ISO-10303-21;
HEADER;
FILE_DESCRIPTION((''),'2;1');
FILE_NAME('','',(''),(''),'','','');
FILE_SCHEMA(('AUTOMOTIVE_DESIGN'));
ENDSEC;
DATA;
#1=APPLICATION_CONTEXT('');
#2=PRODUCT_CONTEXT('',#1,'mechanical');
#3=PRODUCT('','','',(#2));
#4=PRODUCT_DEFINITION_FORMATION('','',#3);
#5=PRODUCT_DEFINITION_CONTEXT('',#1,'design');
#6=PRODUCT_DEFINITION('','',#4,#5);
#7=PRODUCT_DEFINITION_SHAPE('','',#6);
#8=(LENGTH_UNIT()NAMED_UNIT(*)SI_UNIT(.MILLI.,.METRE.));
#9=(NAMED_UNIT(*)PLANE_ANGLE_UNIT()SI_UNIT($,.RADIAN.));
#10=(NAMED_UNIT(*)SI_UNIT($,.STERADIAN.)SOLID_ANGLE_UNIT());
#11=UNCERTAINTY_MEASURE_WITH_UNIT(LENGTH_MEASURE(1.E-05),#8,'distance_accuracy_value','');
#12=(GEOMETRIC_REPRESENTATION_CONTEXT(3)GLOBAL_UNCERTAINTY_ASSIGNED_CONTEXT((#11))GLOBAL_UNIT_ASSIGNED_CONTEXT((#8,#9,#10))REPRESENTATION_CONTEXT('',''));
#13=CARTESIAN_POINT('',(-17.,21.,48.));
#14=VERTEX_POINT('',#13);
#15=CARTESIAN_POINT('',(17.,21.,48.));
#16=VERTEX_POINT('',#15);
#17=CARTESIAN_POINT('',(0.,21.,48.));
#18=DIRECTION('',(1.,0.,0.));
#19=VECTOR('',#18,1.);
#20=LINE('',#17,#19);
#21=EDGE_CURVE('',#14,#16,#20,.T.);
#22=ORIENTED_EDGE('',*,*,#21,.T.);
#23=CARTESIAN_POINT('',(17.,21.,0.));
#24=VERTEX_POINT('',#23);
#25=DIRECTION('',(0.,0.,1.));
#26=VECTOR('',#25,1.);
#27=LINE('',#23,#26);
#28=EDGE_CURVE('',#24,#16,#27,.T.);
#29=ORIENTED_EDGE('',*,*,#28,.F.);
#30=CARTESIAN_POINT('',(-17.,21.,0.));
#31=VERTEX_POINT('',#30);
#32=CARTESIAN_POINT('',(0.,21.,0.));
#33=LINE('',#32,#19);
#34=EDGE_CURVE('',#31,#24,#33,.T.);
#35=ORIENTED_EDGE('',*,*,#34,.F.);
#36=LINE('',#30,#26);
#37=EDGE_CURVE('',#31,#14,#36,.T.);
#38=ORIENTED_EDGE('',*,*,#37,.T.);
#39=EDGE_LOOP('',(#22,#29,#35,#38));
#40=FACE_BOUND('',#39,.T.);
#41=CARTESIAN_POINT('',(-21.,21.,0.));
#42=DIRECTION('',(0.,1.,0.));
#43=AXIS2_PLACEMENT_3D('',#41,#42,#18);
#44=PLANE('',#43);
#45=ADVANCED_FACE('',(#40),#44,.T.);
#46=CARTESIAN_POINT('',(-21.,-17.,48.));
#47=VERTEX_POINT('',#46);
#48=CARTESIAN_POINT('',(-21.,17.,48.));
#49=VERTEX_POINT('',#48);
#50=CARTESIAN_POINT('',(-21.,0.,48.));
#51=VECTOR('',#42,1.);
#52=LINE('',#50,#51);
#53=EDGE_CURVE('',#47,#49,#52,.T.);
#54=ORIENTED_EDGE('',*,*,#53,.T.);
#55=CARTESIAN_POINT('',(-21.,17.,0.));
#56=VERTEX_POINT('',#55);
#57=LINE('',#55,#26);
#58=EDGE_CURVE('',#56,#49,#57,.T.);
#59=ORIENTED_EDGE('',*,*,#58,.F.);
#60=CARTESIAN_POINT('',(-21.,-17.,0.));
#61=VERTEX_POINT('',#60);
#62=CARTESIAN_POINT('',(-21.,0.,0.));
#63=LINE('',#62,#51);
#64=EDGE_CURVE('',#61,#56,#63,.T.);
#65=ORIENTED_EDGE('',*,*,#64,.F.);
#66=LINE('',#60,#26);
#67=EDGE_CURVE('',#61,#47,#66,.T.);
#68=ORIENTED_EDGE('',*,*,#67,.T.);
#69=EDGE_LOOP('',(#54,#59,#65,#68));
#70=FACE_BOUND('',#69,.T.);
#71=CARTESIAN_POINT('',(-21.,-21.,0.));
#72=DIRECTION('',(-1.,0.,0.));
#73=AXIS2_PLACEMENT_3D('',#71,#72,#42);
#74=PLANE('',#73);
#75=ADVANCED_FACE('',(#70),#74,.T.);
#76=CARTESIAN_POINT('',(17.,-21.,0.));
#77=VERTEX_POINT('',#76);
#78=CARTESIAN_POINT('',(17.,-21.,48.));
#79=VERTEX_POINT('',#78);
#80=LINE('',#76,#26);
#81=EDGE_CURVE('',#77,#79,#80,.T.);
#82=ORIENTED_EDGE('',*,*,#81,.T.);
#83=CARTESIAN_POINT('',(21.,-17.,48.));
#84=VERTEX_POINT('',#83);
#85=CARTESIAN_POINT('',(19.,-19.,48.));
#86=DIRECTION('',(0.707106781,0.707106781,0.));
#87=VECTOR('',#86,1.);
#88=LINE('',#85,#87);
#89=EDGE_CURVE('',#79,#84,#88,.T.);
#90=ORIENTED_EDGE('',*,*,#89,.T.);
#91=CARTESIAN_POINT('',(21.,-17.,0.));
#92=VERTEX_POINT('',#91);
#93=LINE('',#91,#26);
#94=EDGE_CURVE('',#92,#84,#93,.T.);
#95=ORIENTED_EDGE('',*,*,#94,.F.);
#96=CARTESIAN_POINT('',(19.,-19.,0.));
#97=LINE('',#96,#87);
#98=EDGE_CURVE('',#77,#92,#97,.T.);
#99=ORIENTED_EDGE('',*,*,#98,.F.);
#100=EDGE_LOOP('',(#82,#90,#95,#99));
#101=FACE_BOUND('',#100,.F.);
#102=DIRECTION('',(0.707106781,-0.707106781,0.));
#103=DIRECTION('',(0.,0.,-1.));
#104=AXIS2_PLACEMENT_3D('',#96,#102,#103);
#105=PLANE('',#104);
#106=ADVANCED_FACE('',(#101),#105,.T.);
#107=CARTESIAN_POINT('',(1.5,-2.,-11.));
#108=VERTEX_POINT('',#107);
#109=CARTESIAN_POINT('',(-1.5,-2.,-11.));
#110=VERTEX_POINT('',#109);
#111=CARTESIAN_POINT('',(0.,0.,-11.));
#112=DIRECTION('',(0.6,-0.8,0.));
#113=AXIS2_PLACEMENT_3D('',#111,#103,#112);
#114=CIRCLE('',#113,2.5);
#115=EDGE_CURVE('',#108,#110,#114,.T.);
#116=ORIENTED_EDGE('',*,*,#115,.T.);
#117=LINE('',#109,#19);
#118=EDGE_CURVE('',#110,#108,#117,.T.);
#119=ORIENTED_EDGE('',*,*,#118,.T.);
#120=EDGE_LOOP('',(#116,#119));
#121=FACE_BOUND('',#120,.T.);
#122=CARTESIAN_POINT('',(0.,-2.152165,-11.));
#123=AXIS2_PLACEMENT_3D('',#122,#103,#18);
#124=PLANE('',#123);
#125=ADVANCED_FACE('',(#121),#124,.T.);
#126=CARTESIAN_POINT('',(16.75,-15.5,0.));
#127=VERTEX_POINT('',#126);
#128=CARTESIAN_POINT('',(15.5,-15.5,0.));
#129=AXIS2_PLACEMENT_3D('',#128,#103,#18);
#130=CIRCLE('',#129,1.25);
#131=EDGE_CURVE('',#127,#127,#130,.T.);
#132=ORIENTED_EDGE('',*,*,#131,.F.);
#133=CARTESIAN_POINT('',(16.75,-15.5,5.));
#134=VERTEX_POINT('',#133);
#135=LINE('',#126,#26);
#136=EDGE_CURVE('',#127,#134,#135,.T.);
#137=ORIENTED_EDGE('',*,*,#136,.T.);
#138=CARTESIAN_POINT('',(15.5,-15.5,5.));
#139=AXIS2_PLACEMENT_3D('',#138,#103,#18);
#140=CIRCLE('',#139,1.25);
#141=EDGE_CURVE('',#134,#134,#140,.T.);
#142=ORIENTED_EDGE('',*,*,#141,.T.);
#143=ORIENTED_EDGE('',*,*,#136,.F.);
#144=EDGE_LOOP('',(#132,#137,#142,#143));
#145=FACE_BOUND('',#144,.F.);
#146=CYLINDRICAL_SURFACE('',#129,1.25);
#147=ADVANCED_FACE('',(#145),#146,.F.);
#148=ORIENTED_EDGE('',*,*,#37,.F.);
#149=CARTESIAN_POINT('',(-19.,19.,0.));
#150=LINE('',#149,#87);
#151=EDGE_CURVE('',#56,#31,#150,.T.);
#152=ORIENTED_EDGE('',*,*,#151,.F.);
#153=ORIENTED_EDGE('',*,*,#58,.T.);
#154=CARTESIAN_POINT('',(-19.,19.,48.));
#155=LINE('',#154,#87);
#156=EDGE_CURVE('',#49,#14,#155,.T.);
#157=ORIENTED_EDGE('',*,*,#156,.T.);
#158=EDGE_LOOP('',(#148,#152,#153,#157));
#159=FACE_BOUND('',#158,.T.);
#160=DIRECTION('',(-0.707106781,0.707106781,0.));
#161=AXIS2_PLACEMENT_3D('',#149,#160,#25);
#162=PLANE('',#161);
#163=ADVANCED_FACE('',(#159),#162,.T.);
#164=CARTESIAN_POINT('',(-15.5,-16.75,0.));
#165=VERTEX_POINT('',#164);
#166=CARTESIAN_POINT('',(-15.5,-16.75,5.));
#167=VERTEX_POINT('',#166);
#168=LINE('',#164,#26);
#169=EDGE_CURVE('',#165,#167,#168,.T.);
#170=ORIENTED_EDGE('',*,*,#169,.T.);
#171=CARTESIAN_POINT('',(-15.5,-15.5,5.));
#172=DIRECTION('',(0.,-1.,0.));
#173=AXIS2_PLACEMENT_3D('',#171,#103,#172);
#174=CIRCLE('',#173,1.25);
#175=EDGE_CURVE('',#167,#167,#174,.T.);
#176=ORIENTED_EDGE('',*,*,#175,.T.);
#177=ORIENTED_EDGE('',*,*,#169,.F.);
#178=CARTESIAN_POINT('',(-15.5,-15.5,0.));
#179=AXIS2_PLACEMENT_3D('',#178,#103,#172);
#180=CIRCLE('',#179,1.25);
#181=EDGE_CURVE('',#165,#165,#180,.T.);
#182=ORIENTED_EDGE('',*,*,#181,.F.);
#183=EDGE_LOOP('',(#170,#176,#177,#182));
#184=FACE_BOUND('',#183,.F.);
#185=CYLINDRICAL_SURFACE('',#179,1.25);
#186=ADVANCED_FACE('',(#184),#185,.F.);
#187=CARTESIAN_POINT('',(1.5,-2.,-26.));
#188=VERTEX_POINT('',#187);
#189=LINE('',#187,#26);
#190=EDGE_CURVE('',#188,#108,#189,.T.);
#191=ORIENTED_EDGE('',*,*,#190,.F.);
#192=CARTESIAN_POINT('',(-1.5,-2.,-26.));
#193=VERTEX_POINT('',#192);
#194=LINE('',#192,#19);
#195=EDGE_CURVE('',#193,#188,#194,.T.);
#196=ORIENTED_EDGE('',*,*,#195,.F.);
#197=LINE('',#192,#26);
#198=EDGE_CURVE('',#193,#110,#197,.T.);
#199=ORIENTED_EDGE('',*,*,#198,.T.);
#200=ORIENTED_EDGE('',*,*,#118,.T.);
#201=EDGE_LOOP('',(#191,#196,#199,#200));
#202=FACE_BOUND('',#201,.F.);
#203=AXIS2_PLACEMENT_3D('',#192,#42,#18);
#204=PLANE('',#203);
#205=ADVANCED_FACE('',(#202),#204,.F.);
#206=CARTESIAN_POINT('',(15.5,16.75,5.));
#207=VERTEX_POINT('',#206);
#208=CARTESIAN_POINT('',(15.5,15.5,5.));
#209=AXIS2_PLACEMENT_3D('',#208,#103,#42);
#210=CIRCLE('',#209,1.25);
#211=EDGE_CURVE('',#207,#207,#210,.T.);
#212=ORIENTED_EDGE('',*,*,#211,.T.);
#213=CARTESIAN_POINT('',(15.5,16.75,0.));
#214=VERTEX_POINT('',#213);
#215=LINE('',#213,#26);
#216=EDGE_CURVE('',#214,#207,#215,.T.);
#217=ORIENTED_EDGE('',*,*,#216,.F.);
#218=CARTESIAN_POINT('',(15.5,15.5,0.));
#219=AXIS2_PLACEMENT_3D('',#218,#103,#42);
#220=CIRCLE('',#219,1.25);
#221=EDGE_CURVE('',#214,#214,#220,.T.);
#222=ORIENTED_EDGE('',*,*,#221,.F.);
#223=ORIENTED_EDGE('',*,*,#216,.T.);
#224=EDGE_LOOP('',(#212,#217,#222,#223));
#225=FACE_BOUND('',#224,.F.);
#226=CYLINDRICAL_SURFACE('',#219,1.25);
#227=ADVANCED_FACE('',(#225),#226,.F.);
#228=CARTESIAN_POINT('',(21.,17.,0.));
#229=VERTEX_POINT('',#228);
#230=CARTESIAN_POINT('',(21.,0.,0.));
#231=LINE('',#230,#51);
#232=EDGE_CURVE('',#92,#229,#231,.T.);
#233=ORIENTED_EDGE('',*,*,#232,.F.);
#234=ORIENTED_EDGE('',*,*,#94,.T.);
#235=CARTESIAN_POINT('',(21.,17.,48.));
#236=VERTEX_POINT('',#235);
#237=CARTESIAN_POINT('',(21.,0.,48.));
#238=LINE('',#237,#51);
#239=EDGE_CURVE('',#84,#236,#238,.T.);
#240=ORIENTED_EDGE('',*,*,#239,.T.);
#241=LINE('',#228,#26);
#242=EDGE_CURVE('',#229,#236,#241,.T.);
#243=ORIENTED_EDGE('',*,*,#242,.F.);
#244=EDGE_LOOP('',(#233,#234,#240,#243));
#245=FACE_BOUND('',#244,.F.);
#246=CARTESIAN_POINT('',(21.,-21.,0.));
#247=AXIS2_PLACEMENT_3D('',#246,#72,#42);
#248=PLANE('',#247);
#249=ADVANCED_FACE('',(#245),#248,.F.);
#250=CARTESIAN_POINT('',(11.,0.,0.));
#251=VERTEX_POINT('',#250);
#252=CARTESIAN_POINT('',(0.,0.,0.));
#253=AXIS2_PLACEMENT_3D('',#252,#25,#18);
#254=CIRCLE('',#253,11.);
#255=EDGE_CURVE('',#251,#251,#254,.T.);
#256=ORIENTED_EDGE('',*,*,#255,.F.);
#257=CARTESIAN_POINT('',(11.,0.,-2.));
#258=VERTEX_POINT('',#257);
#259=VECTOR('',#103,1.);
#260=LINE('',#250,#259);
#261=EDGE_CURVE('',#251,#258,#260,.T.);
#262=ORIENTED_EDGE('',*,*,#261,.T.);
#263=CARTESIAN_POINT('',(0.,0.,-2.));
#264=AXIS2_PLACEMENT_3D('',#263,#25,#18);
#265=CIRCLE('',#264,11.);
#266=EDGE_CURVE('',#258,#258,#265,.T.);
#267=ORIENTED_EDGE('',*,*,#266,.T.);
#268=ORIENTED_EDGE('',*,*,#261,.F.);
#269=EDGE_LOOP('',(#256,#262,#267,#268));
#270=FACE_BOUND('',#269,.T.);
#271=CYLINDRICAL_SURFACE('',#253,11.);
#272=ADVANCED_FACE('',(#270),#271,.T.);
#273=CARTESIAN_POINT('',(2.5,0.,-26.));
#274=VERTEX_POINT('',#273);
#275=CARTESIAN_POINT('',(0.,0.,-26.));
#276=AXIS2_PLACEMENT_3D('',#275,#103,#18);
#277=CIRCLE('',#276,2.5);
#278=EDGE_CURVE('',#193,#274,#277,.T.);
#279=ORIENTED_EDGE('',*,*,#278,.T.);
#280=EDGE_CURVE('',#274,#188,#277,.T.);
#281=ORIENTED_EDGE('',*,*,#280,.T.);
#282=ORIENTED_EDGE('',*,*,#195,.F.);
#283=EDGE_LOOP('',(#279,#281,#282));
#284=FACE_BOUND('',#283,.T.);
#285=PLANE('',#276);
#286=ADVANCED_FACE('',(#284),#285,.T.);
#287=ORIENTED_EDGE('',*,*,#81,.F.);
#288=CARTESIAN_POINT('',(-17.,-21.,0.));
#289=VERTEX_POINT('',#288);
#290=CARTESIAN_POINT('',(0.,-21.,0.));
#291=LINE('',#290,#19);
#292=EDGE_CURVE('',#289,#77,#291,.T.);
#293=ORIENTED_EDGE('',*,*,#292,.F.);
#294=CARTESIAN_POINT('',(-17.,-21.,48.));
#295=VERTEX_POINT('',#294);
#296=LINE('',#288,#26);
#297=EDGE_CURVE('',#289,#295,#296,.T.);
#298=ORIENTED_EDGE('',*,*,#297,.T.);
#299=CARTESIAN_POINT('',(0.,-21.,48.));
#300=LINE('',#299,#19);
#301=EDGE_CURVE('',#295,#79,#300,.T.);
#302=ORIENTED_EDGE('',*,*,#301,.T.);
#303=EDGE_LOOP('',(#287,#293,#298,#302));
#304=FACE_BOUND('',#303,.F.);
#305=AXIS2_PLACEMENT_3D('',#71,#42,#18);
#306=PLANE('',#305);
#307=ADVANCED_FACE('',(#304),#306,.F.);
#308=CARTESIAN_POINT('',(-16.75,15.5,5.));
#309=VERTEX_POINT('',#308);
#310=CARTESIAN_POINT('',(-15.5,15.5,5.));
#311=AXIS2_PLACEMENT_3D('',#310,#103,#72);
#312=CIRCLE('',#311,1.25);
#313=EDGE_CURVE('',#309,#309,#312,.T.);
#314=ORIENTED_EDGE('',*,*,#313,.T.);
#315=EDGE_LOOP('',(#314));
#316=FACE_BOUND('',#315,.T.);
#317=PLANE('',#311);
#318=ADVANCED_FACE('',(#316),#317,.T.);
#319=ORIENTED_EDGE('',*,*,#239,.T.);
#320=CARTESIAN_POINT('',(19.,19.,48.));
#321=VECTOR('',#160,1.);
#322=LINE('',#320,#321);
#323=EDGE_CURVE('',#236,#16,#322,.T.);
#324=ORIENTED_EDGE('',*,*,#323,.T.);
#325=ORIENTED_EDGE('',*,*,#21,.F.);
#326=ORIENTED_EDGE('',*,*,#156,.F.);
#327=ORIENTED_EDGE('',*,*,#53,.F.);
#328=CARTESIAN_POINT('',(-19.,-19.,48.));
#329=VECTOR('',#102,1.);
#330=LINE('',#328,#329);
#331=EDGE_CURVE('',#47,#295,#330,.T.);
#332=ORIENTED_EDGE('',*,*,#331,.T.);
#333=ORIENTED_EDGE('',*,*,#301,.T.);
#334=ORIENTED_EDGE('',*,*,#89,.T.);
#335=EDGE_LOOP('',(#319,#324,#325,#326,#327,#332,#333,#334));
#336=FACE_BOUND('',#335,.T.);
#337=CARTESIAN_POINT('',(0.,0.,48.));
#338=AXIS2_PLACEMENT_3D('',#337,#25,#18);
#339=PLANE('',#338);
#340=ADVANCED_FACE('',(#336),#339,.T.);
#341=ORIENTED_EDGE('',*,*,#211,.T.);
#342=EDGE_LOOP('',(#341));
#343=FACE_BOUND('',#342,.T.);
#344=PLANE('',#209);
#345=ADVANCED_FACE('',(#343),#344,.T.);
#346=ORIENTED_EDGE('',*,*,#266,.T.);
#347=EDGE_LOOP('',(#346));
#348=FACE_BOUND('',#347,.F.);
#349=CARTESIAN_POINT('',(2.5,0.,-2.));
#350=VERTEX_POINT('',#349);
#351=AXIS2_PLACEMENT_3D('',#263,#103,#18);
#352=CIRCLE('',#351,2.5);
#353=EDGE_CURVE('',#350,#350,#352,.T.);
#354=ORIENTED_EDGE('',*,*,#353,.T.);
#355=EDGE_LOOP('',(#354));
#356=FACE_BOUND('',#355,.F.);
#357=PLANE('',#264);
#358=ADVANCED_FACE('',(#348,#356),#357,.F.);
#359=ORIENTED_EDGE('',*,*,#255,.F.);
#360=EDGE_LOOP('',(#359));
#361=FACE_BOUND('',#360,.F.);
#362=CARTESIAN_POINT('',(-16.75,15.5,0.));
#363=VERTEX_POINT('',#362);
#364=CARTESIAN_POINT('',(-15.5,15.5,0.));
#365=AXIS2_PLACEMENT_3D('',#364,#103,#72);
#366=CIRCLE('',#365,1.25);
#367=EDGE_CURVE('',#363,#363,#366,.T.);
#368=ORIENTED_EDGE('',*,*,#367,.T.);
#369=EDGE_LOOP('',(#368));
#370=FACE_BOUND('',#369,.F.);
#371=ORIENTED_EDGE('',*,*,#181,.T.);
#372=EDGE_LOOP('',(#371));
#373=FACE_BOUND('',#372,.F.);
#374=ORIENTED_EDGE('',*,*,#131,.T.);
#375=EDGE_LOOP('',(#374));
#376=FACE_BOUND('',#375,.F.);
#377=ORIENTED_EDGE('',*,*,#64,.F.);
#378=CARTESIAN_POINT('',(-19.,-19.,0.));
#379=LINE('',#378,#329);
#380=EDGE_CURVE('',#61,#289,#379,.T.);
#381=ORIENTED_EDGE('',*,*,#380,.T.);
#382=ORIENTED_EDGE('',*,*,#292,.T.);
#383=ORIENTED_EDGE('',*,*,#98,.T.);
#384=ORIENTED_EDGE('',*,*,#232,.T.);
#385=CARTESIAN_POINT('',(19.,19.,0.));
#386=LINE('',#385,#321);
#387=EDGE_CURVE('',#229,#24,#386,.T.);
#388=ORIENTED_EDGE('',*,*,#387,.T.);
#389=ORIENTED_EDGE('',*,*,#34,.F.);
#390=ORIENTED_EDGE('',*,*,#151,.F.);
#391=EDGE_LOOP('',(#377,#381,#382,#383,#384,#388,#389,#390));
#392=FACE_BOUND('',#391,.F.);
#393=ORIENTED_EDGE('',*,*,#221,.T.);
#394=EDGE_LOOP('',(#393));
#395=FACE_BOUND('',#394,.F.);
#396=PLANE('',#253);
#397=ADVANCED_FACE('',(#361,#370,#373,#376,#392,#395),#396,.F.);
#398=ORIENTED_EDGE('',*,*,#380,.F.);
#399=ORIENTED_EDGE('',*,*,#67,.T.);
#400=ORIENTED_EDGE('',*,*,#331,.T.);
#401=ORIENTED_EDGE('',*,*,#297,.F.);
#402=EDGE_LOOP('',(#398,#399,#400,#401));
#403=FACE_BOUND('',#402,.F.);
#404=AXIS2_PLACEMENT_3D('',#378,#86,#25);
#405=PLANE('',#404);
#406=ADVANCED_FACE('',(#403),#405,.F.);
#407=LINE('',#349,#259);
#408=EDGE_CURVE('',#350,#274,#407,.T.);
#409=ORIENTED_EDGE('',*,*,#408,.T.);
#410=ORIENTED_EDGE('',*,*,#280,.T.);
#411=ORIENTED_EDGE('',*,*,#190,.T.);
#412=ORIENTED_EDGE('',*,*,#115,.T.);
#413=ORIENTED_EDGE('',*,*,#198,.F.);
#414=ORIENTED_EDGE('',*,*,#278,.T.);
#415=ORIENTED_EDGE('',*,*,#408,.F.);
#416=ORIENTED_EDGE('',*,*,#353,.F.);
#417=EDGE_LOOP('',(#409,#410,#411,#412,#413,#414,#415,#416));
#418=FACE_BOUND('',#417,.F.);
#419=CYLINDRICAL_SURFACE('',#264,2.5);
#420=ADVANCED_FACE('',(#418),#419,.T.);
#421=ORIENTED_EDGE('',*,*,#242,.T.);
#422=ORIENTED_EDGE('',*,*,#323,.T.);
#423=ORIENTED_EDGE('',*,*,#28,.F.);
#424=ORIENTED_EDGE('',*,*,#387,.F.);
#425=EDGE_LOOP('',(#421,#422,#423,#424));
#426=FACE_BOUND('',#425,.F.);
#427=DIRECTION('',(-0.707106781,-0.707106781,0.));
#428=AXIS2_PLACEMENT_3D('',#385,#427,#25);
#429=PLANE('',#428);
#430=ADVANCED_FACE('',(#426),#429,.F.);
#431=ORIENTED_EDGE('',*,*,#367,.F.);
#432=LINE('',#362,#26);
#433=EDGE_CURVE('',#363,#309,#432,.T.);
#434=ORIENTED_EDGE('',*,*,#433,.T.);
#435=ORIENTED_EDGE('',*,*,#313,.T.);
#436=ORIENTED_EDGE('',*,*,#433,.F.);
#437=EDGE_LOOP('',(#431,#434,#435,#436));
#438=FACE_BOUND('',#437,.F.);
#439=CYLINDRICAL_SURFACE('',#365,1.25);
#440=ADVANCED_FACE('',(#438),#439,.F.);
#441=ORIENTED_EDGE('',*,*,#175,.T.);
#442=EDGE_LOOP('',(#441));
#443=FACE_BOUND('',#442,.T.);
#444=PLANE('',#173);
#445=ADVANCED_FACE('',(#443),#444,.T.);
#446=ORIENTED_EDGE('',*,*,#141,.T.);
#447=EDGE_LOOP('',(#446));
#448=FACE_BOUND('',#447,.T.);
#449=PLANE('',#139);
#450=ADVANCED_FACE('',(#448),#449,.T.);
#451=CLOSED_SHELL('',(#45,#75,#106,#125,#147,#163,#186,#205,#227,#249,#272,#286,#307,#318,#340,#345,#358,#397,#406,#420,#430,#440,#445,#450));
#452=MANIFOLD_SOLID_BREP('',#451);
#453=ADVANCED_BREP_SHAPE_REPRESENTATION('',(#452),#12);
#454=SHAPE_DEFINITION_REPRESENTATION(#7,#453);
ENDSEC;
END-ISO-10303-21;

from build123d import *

# Parameters (mm, degrees)
SKETCH_W           = 42
SKETCH_H           = 42
PAD_DEPTH          = 48
CHAMFER_SIZE       = 4
SKETCH001_R        = 11
PAD001_DEPTH       = 2
SKETCH002_R        = 2.5
PAD002_DEPTH       = 24
POCKET_DEPTH       = 15
SKETCH004_R        = 1.25
POCKET001_DEPTH    = 5
POLARPATTERN_COUNT = 4


with BuildPart() as part:
    # Sketch → Pad (new body)
    with BuildSketch(Plane.XY):
        Rectangle(SKETCH_W, SKETCH_H)
    extrude(amount=PAD_DEPTH)

    # Chamfer
    chamfer_edges = [part.edges().sort_by_distance(p)[0] for p in [
        (21, -21, 24),
        (-21, -21, 24),
        (21, 21, 24),
        (-21, 21, 24),
    ]]
    chamfer(chamfer_edges, length=CHAMFER_SIZE)

    # Sketch001 → Pad001 (join)
    with BuildSketch(Plane.XY):
        Circle(SKETCH001_R)
    extrude(amount=-PAD001_DEPTH)

    # Sketch002 (on Face12 of Pad001) → Pad002 (join)
    with BuildSketch(Plane(origin=(0, 0, -2), x_dir=(1, 0, 0), z_dir=(0, 0, -1))):
        Circle(SKETCH002_R)
    extrude(amount=PAD002_DEPTH)

    # Sketch003 (on Face14 of Pad002) → Pocket (cut)
    with BuildSketch(Plane(origin=(0, 0, -26), x_dir=(1, 0, 0), z_dir=(0, 0, -1))):
        with BuildLine():
            ThreePointArc((1.5, 2), (0, 2.5), (-1.5, 2))
            Line((-1.5, 2), (1.5, 2))
        make_face()
    extrude(amount=-POCKET_DEPTH, mode=Mode.SUBTRACT)

    # Sketch004 (on Face2 of Pocket) → Pocket001 (cut)
    with BuildSketch(Plane(origin=(0, 0, 0), x_dir=(1, 0, 0), z_dir=(0, 0, -1))):
        with Locations((15.5, 15.5)):
            Circle(SKETCH004_R)
    pocket001 = extrude(amount=-POCKET001_DEPTH, mode=Mode.SUBTRACT)

    # PolarPattern: Pocket001 ×4 about axis
    polarpattern_axis = Axis((0, 0, 0), (0, 0, 1))
    for i in range(1, POLARPATTERN_COUNT):
        add(pocket001.rotate(polarpattern_axis, i * 360 / POLARPATTERN_COUNT), mode=Mode.SUBTRACT)


solid = part.part
